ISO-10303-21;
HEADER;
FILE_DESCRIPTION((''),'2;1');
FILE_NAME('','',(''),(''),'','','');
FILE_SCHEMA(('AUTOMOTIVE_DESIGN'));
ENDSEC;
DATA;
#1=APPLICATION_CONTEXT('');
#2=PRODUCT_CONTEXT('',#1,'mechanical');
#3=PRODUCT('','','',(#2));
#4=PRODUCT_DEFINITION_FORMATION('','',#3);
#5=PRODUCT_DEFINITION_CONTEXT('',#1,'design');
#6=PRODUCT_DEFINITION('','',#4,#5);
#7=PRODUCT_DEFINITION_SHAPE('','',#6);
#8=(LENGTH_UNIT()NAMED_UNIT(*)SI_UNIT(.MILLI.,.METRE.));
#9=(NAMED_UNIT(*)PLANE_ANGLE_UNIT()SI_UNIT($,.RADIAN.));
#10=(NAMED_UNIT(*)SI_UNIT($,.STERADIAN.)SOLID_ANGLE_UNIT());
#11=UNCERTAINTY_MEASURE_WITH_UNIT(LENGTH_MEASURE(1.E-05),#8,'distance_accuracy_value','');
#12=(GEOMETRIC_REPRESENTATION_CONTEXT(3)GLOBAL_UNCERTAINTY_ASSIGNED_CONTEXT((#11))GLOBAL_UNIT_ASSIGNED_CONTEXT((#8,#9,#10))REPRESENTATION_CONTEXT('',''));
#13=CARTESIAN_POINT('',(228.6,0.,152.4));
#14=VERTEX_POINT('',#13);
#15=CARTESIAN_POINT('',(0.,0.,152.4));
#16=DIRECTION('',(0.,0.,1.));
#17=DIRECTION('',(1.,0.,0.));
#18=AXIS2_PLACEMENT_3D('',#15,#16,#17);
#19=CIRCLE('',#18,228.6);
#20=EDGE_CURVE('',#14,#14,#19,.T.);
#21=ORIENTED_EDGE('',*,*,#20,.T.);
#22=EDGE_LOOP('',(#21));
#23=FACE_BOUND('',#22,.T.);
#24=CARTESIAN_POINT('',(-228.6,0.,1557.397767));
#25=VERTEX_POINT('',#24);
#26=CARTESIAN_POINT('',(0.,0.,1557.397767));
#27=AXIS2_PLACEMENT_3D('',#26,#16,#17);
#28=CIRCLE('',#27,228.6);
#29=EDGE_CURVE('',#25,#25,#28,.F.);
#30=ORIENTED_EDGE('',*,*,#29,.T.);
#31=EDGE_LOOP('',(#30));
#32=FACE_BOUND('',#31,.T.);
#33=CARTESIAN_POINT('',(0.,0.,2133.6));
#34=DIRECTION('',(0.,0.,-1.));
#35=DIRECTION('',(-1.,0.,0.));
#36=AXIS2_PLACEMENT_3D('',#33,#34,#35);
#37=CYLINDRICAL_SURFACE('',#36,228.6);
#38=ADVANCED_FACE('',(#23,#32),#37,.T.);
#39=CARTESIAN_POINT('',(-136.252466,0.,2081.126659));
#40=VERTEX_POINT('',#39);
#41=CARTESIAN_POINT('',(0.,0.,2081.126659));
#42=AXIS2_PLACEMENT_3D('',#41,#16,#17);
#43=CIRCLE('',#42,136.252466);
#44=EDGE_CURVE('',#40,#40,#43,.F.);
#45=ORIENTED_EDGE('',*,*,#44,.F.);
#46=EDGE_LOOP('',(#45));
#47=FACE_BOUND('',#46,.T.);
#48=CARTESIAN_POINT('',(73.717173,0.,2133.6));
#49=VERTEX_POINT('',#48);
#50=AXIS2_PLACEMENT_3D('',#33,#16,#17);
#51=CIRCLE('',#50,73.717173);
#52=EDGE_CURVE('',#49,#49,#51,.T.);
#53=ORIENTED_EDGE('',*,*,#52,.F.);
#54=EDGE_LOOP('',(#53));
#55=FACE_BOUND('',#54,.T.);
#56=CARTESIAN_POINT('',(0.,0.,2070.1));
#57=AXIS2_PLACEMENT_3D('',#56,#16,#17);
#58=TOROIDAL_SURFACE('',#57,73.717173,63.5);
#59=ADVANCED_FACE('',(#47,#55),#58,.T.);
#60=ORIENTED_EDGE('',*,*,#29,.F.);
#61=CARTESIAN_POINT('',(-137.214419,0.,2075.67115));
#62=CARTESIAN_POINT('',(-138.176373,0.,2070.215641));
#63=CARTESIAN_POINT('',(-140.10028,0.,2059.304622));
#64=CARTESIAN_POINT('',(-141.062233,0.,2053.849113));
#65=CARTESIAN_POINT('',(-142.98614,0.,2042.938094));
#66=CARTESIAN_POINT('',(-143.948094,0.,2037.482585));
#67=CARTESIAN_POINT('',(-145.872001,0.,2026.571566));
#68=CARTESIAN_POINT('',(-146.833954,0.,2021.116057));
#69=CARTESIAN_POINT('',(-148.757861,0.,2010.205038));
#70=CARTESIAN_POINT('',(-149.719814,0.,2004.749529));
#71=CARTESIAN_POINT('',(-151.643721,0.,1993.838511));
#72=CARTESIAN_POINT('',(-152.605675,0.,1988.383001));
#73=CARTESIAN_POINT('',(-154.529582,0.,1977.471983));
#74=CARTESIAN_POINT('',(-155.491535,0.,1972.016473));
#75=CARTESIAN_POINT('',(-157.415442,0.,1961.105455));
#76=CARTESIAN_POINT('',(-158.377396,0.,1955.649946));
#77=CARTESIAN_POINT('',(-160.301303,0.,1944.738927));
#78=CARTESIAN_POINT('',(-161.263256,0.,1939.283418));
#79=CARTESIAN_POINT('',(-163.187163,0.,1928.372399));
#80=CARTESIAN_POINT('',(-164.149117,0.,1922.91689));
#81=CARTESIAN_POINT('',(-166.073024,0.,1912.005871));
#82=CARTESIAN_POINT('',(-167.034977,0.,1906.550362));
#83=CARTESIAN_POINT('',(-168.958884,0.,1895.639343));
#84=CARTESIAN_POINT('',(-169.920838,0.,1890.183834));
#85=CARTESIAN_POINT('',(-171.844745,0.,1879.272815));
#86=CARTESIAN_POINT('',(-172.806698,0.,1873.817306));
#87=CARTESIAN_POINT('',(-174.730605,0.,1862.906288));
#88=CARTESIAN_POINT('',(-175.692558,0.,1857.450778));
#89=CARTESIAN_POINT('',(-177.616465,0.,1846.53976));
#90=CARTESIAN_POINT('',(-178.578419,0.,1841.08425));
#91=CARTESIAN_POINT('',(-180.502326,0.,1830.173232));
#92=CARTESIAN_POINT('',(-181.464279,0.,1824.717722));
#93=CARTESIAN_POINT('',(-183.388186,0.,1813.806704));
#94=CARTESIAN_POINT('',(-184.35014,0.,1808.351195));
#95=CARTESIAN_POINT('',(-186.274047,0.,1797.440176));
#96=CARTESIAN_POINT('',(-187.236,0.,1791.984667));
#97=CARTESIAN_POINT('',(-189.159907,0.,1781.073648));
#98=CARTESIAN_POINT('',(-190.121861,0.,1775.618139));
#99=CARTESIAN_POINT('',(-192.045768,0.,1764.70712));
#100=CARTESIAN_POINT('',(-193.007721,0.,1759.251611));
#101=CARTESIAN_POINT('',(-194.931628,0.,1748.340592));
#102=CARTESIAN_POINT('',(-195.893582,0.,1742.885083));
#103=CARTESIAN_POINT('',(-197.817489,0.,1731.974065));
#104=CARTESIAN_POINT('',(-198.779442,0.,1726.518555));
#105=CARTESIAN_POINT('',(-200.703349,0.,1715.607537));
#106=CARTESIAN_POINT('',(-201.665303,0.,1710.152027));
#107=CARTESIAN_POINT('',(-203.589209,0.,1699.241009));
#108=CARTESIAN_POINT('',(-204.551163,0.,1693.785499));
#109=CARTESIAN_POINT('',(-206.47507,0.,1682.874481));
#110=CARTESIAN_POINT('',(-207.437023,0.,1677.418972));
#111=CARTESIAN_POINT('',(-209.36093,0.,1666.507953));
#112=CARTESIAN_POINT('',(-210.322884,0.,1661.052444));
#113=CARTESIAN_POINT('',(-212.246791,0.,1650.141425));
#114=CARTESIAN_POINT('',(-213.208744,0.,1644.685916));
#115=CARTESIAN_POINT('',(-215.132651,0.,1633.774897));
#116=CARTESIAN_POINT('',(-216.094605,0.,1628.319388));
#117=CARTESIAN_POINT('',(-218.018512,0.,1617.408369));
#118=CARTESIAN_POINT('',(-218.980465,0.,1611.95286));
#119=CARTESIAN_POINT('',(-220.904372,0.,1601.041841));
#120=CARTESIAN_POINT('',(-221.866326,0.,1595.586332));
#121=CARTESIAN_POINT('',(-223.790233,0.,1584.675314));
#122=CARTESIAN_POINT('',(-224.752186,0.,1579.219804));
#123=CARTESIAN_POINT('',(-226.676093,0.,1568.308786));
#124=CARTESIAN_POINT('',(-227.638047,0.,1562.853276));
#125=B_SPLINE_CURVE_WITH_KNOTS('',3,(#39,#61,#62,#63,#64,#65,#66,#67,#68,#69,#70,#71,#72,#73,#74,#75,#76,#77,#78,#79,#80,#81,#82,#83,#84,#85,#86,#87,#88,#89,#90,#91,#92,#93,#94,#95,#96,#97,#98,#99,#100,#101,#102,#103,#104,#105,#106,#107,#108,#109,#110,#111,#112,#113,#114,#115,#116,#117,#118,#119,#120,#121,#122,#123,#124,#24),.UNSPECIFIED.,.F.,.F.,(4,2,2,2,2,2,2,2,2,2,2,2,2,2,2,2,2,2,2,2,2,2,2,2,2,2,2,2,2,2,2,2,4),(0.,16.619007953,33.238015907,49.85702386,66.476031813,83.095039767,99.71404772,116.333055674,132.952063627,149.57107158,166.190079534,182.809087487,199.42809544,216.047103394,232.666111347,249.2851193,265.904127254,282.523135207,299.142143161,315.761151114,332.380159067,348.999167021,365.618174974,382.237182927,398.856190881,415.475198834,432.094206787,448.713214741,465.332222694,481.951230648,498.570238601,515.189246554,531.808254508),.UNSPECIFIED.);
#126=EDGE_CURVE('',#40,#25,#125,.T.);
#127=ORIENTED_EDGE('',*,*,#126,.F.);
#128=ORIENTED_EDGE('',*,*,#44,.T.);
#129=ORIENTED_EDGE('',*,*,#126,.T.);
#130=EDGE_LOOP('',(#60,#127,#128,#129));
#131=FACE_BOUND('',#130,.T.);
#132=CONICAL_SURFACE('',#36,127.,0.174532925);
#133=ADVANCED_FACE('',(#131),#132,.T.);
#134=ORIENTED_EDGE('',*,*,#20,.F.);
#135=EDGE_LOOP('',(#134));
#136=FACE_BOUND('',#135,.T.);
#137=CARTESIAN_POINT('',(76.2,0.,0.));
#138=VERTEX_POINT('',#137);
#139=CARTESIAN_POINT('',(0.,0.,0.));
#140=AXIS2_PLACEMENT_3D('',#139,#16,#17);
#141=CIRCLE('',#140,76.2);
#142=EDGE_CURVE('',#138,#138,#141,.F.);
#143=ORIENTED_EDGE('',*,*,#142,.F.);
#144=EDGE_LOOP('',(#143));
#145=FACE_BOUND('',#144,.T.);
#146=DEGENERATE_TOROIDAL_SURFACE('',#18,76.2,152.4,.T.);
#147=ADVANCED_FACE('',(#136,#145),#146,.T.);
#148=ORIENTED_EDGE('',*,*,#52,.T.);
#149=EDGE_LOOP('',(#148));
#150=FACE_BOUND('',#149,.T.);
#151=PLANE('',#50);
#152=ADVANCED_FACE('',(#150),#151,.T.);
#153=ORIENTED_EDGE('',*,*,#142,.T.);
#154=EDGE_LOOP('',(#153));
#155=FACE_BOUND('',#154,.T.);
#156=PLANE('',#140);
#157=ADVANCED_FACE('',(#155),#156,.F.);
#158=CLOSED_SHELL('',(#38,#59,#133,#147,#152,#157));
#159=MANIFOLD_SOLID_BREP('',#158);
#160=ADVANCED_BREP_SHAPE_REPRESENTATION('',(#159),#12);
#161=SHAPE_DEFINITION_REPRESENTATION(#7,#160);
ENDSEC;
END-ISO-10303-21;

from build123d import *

# Parameters (mm, degrees)
SKETCH1_R           = 228.6
BOSS_EXTRUDE1_DEPTH = 2133.6
FILLET1_R           = 152.4
CHAMFER1_SIZE       = 101.6
CHAMFER1_SIZE2      = 576.202232873
FILLET2_R           = 63.5


with BuildPart() as part:
    # Sketch1 → Boss-Extrude1 (new body)
    with BuildSketch(Plane.XY):
        Circle(SKETCH1_R)
    extrude(amount=BOSS_EXTRUDE1_DEPTH)

    # Fillet1
    fillet1_edges = [part.edges().sort_by_distance(p)[0] for p in [
        (-228.6, 0, 0),
    ]]
    fillet(fillet1_edges, radius=FILLET1_R)

    # Chamfer1
    chamfer1_edges = [part.edges().sort_by_distance(p)[0] for p in [
        (-228.6, 0, 2133.6),
    ]]
    chamfer1_side = [part.faces().sort_by_distance(p)[0] for p in [
        (0, 0, 2133.6),
    ]]
    chamfer(chamfer1_edges, length=CHAMFER1_SIZE, length2=CHAMFER1_SIZE2, reference=chamfer1_side[0])

    # Fillet2
    fillet2_edges = [part.edges().sort_by_distance(p)[0] for p in [
        (-127, 0, 2133.6),
    ]]
    fillet(fillet2_edges, radius=FILLET2_R)


solid = part.part
